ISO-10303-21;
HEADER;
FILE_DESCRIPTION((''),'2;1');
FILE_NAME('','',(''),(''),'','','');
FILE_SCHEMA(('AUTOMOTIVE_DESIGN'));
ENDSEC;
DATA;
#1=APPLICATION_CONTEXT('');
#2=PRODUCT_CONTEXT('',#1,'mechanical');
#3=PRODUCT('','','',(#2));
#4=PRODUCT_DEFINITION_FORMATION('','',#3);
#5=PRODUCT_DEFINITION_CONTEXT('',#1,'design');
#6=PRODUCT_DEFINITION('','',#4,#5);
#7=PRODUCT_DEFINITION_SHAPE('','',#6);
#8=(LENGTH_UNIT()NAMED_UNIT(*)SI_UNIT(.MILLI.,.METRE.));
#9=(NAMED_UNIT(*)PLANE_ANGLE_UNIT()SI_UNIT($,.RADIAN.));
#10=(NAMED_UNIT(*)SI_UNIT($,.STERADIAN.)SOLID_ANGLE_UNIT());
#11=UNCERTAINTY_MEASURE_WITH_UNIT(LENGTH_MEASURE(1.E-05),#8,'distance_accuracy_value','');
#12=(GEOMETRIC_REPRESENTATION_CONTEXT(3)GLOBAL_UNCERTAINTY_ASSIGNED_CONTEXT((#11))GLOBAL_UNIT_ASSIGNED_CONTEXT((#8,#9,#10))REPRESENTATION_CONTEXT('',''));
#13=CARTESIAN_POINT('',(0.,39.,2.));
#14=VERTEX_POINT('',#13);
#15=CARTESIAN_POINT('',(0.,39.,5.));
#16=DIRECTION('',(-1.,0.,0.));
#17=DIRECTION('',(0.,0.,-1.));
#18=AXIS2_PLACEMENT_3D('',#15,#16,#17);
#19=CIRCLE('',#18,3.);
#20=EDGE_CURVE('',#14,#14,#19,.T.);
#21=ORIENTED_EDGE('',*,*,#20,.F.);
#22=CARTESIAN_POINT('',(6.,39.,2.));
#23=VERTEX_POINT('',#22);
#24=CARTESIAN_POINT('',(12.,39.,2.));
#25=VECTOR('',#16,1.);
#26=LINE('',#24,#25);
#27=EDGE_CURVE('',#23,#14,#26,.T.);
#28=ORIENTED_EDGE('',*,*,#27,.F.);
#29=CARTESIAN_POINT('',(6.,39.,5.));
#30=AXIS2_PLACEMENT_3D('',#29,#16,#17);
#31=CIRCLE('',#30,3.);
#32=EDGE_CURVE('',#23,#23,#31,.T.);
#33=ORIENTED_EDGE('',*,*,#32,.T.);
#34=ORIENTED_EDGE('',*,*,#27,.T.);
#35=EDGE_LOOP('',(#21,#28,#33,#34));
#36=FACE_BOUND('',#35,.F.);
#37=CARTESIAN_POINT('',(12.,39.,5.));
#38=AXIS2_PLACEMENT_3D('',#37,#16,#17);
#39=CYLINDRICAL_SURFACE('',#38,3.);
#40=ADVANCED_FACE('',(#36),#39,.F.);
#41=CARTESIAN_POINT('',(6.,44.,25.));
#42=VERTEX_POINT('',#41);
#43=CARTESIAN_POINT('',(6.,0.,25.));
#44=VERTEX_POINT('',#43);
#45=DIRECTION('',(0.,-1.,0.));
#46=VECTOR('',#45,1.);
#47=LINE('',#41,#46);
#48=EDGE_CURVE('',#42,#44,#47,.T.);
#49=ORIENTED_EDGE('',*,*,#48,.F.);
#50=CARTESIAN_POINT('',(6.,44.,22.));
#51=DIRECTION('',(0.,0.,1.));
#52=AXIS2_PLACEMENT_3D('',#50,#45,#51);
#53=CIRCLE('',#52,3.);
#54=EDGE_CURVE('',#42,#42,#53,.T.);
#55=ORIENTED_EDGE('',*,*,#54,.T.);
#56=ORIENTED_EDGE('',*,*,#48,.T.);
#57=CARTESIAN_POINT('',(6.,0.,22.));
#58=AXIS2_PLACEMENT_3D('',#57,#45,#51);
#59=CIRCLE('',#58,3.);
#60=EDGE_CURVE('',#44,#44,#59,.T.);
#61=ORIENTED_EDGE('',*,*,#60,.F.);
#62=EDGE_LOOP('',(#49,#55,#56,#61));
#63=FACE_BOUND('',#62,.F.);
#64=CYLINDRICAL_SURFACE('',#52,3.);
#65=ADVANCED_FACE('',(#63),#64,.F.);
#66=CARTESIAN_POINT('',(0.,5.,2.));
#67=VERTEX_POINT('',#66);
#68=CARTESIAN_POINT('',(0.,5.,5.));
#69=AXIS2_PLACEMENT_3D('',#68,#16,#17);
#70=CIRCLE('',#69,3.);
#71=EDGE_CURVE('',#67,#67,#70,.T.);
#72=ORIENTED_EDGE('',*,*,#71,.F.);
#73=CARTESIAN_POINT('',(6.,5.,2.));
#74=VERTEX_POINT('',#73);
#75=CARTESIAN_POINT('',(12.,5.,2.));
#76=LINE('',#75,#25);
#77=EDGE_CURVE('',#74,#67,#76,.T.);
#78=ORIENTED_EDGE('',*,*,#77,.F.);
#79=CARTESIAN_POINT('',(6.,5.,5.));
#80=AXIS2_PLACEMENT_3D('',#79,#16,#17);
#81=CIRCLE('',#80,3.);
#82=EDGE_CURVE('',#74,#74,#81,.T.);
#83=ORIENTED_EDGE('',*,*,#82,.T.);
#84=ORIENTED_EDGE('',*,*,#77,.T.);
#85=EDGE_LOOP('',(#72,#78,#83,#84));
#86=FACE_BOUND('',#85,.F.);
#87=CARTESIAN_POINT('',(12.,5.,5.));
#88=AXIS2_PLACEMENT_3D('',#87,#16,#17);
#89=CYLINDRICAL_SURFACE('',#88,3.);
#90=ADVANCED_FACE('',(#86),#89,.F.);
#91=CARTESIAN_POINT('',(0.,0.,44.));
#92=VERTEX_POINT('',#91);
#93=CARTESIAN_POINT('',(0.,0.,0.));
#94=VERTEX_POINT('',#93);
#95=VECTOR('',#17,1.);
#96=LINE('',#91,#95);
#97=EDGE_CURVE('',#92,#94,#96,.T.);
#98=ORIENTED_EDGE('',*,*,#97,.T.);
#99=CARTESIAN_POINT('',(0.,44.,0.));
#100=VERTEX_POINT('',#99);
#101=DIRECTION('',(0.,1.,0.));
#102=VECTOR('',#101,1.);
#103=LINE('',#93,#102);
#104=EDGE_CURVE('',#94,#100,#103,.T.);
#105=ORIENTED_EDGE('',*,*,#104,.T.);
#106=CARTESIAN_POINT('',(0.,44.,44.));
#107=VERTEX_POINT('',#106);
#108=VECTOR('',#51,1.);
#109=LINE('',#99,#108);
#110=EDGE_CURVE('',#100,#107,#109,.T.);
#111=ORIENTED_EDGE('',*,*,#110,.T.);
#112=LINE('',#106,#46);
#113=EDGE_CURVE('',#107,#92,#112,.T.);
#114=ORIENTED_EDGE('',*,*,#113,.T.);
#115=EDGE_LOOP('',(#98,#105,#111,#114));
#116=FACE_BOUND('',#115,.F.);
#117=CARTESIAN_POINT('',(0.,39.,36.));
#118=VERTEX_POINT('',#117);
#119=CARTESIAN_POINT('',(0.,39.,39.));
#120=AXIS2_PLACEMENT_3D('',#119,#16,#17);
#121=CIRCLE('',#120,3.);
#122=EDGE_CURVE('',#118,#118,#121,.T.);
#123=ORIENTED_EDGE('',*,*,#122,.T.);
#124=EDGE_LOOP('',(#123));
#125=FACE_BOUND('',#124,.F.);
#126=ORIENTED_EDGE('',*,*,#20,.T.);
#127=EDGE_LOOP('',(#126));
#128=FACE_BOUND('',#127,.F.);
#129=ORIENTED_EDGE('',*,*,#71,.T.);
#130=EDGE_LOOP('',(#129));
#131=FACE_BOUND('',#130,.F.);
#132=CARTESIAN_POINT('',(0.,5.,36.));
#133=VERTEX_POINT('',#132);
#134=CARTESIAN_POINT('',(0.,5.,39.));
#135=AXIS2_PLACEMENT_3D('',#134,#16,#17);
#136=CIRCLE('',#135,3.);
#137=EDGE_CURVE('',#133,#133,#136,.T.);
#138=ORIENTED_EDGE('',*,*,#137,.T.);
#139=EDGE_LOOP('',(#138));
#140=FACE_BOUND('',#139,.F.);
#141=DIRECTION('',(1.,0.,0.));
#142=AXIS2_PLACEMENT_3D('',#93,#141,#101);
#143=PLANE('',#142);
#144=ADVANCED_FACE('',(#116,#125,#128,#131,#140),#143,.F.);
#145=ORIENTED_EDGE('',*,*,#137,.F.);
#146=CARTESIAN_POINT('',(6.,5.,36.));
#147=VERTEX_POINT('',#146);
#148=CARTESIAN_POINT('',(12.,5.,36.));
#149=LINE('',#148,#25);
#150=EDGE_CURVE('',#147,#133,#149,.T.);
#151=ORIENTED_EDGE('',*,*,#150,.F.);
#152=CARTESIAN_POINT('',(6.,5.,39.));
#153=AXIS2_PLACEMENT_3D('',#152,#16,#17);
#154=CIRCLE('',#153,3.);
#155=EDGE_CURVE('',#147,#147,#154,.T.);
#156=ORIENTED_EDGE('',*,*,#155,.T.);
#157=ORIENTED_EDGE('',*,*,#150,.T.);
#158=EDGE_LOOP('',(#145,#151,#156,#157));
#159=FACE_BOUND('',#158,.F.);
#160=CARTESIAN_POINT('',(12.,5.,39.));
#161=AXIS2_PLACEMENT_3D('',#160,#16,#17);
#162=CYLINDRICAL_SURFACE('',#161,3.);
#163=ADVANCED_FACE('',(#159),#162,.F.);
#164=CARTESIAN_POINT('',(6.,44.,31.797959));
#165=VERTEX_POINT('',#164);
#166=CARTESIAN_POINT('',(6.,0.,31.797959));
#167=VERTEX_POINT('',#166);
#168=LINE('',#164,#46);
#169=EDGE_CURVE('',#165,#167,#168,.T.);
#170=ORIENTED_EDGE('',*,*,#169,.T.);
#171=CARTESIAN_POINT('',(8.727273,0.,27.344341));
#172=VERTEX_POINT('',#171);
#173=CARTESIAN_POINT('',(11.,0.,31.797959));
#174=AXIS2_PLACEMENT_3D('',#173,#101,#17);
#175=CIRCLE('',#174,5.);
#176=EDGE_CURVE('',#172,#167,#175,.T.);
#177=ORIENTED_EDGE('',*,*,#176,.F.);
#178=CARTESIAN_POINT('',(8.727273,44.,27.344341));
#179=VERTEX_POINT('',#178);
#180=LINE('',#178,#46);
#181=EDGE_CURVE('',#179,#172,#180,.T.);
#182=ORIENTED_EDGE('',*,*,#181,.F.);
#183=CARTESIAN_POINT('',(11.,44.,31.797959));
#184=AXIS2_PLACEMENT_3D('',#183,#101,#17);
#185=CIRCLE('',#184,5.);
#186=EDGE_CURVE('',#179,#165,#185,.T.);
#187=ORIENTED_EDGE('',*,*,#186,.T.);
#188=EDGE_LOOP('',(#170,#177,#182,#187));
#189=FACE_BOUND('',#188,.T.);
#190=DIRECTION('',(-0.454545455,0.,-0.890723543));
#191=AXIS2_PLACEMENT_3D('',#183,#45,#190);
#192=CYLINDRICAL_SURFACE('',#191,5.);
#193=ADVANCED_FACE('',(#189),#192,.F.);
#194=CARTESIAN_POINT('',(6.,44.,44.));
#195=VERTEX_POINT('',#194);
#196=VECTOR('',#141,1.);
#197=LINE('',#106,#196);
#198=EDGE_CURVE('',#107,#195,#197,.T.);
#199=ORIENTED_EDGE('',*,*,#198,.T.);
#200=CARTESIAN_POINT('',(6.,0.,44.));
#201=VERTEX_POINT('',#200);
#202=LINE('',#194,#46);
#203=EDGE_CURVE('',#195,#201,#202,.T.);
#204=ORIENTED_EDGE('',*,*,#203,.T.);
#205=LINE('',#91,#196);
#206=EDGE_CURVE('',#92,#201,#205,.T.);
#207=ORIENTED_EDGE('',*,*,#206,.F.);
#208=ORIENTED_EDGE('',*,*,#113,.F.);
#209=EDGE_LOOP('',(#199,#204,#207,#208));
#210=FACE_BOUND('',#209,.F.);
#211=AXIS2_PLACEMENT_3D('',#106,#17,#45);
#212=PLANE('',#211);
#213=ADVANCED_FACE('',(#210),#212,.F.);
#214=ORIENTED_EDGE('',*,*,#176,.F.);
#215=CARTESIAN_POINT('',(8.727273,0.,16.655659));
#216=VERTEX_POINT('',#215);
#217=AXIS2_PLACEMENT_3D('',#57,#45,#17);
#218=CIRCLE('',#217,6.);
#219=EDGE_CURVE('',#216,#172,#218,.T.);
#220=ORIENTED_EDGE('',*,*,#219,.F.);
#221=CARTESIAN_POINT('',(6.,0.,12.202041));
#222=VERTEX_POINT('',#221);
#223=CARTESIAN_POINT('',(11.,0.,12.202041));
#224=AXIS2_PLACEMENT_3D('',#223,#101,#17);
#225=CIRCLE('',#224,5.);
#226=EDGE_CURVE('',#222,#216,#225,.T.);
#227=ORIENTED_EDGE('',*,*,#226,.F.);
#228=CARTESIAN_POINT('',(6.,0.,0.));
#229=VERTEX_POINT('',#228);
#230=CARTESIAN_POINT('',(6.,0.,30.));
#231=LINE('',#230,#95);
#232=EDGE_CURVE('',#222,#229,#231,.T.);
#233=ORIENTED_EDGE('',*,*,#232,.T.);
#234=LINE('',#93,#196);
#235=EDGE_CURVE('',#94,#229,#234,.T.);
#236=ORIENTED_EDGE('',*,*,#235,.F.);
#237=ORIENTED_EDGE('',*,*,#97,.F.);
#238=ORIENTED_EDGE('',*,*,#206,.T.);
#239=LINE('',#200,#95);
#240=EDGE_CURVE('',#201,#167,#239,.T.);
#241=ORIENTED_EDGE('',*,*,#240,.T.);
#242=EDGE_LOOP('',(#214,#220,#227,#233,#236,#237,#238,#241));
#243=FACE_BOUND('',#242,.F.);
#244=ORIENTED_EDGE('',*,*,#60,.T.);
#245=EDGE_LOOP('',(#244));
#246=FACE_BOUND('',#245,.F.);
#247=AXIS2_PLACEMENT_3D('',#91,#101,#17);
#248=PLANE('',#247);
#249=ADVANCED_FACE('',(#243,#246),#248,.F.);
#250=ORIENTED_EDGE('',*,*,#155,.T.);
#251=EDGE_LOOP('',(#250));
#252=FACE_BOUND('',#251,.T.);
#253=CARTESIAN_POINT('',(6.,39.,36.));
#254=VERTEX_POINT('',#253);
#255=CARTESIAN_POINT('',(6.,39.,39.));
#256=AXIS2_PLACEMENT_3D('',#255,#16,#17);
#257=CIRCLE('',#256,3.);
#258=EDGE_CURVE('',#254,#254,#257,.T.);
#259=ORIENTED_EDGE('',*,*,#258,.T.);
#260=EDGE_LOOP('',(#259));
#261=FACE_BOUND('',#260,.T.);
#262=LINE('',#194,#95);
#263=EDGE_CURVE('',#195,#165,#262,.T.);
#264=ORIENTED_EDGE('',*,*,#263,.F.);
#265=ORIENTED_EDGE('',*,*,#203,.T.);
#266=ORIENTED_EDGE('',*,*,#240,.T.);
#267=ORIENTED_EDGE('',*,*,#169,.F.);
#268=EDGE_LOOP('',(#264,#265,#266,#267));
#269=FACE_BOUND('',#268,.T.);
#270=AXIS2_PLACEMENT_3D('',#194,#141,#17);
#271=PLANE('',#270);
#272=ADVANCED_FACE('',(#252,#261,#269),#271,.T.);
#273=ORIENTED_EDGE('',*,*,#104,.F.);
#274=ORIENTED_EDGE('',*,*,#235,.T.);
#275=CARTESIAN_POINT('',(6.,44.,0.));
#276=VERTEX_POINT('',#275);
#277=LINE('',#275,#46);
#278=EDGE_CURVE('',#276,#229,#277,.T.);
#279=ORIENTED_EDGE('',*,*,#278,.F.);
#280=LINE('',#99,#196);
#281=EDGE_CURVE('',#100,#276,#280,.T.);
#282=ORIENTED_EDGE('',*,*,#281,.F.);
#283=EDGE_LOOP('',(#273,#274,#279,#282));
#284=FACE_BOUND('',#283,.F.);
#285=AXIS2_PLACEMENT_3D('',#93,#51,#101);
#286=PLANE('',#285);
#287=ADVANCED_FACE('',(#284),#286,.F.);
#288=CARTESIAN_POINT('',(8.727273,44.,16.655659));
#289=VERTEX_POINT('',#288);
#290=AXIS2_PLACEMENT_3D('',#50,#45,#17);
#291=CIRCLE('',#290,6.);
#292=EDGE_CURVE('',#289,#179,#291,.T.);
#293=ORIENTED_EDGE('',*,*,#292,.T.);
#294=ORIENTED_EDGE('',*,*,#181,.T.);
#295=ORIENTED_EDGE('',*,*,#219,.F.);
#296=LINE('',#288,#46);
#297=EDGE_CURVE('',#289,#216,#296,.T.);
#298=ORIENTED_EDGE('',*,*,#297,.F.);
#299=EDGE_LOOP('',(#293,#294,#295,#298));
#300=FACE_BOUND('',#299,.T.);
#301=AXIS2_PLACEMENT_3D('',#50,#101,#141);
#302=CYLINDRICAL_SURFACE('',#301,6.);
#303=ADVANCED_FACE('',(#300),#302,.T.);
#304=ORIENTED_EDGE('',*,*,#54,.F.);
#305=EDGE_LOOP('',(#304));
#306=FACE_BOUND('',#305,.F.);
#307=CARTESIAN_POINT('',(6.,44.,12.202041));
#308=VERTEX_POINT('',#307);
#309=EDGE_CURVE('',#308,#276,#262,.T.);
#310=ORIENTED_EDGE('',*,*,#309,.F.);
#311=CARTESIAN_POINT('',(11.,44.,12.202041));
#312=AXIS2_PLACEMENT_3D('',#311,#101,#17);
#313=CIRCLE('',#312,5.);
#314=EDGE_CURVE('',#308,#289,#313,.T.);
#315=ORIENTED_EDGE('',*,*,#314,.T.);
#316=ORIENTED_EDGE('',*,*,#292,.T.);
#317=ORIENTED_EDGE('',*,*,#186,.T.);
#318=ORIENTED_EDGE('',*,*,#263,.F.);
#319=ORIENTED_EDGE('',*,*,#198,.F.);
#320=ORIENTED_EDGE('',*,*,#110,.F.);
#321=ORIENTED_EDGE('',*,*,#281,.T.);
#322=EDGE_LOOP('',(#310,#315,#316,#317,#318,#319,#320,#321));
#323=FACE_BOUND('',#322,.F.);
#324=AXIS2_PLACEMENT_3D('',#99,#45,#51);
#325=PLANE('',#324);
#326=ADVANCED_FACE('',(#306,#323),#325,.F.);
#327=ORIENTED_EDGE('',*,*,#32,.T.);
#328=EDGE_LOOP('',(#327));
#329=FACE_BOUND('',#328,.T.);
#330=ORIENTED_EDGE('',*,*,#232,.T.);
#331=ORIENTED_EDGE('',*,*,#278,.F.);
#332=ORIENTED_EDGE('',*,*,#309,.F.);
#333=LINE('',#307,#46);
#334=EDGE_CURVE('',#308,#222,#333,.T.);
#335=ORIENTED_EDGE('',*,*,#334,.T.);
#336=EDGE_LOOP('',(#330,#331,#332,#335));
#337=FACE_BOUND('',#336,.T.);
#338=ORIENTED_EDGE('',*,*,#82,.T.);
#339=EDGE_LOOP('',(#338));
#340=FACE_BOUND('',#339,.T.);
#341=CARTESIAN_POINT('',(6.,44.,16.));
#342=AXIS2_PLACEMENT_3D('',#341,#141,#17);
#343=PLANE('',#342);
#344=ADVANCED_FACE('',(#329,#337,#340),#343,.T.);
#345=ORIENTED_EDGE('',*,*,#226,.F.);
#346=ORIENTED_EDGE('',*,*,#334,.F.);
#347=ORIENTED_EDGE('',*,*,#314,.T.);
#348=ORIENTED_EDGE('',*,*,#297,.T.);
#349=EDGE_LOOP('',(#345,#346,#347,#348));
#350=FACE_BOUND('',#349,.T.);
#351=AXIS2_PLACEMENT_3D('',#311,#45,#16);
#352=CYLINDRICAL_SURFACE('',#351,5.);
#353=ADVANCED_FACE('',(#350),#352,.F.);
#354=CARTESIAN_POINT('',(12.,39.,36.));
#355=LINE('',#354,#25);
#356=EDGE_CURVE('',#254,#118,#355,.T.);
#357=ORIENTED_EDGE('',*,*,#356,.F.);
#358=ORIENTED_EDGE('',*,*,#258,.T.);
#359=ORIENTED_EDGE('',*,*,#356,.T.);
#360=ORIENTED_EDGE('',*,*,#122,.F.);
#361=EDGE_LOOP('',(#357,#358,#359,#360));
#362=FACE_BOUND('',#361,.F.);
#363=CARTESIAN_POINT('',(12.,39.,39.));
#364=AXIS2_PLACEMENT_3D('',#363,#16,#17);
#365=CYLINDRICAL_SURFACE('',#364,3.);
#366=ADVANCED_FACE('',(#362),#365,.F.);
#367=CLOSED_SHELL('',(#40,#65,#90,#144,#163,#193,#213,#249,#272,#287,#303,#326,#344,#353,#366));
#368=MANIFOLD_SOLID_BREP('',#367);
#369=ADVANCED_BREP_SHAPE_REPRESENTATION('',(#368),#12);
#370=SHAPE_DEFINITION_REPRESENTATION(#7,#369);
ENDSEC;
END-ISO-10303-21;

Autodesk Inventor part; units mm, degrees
ref_plane "YZ Plane" through (0, 0, 0) normal (1, 0, 0) x (0, 1, 0)
ref_plane "XZ Plane" through (0, 0, 0) normal (0, 1, 0) x (-1, 0, 0)
ref_plane "XY Plane" through (0, 0, 0) normal (0, 0, 1) x (1, 0, 0)
sketch "Sketch1" plane through (0, 0, 0) normal (1, 0, 0) x (0, 1, 0)
  line L0 (0, 0) -> (44, 0)
  line L1 (44, 0) -> (44, 44)
  line L2 (44, 44) -> (0, 44)
  line L3 (0, 44) -> (0, 0)
  dimension "d2" = 44
extrude "Extrusion1" add sketch "Sketch1" along normal blind 12
sketch "Sketch2" plane through (12, 0, 0) normal (1, 0, 0) x (0, 0, -1)
  line L0 (-44, 44) -> (-44, 0) projected
  line L1 (0, 44) -> (-44, 44) projected
  point P0 (0, 0)
  point P1 (-5, 5)
  point P2 (-39, 5)
  point P3 (-39, 39)
  point P4 (-5, 39)
  dimension "d3" = 5
  dimension "d4" = 5
  dimension "d5" = 5
  dimension "d6" = 5
hole "Hole1" at (12, 5, 5) at (12, 5, 39) at (12, 39, 39) at (12, 39, 5) direction (-1, 0, 0) diameter 6 end through all
sketch "Sketch3" plane through (0, 44, 44) normal (0, 1, 0) x (1, 0, 0)
  line L0 (0, 0) -> (12, 0) projected
  point P0 (0, 44)
  point P1 (6, 22)
  dimension "d14" = 6
  dimension "d15" = 22
hole "Hole2" at (6, 44, 22) direction (0, -1, 0) diameter 6 end through all
sketch "Sketch4" plane through (0, 44, 44) normal (0, 1, 0) x (1, 0, 0)
  circle A0 centre (6, 22) radius 3 projected
  line L0 (0, 44) -> (0, 0) projected
  line L1 (0, 0) -> (12, 0) projected
  line L2 (12, 44) -> (12, 0) projected
  line L3 (0, 44) -> (12, 44) projected
  circle A1 centre (6, 22) radius 3 projected
  circle A2 centre (6, 22) radius 6
  line L4 (0, 44) -> (12, 44) projected
  line L5 (0, 0) -> (12, 0) projected
  line L6 (12, 44) -> (12, 0)
  line L7 (12, 0) -> (6, 0)
  line L8 (6, 0) -> (6, 44)
  line L9 (6, 44) -> (12, 44)
  line L10 (12, 44) -> (12, 0) projected
  point P0 (6, 28)
  point P1 (12, 22)
  point P2 (6, 16)
  point P3 (6, 0)
  dimension "d23" = 6
extrude "Extrusion2" cut sketch "Sketch4" against normal blind 50 contours L8 L3 L2 A2 | A2 L2 L1 L8
fillet "Fillet1" radius 5 2 edges at (6, 22, 28) (6, 22, 16)
equation "\"d4\" = d3"
equation "\"d5\" = d3"
equation "\"d6\" = d3"
properties part number "Piston Mount"
